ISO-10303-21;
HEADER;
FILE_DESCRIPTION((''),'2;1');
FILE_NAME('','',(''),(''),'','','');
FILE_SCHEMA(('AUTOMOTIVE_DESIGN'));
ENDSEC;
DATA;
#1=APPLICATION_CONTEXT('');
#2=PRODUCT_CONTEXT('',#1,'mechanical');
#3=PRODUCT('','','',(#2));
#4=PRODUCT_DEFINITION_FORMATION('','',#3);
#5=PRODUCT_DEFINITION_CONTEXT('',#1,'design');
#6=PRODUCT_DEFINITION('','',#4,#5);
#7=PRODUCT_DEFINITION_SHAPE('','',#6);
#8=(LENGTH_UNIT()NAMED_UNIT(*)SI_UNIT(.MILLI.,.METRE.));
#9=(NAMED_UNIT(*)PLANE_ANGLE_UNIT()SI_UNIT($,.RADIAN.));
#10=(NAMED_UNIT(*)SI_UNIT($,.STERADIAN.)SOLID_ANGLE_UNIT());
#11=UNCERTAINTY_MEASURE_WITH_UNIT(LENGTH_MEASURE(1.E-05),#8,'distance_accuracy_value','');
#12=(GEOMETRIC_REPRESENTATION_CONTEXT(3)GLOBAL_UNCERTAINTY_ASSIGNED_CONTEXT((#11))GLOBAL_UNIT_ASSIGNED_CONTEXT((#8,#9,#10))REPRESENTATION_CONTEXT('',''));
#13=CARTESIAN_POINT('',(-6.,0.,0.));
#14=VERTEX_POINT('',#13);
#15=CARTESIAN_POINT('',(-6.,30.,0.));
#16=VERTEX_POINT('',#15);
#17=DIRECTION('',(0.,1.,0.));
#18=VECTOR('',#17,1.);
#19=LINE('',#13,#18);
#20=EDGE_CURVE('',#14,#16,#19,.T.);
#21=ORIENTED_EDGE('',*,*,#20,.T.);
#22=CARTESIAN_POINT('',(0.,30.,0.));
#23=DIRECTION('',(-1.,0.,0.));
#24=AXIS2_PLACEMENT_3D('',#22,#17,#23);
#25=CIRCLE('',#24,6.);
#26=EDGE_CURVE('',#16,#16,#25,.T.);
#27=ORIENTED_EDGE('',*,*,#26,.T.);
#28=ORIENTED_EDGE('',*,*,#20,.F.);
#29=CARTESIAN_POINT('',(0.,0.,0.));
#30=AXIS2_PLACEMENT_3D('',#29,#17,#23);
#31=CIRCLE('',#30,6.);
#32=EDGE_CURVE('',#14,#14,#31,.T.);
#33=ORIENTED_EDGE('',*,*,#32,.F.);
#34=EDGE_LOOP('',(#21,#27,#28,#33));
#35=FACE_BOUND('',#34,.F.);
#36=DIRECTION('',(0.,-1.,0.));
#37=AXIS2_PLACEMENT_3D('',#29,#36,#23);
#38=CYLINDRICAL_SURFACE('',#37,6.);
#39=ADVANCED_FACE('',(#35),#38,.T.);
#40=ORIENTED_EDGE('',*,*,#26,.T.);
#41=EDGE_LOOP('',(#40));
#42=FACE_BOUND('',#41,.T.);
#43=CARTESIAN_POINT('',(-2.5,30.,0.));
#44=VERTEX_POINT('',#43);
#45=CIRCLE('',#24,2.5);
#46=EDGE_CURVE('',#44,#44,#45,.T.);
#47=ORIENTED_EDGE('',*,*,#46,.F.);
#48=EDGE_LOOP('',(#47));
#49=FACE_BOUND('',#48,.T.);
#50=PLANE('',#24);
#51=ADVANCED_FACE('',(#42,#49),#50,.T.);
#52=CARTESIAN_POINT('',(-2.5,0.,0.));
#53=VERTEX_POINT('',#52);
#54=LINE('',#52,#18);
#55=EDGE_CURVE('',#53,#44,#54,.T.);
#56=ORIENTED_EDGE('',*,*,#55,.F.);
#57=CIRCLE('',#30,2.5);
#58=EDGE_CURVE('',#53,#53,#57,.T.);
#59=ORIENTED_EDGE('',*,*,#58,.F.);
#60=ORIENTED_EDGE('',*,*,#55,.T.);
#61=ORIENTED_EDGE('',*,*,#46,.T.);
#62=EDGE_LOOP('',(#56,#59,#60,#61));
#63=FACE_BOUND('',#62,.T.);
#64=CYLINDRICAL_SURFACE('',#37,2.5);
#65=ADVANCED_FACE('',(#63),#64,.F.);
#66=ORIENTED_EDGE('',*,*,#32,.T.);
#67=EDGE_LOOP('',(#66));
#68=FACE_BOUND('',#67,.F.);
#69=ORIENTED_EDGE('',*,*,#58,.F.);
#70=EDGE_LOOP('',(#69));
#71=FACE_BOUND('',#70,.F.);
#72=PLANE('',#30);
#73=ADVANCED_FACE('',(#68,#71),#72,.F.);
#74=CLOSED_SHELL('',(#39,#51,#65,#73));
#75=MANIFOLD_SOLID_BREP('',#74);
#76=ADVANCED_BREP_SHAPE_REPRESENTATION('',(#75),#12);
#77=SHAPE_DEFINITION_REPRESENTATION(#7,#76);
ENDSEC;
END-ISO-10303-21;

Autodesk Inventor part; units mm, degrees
ref_plane "YZ Plane" through (0, 0, 0) normal (1, 0, 0) x (0, 1, 0)
ref_plane "XZ Plane" through (0, 0, 0) normal (0, 1, 0) x (-1, 0, 0)
ref_plane "XY Plane" through (0, 0, 0) normal (0, 0, 1) x (1, 0, 0)
sketch "Sketch1" plane through (0, 0, 0) normal (0, 1, 0) x (-1, 0, 0)
  circle A0 centre (0, 0) radius 2.5
  circle A1 centre (0, 0) radius 6
  dimension "d0" = 5
  dimension "d1" = 12
extrude "Extrusion1" add sketch "Sketch1" along normal blind 30
properties part number "Plate Spacer" material "Aluminum 6061-AHC"
